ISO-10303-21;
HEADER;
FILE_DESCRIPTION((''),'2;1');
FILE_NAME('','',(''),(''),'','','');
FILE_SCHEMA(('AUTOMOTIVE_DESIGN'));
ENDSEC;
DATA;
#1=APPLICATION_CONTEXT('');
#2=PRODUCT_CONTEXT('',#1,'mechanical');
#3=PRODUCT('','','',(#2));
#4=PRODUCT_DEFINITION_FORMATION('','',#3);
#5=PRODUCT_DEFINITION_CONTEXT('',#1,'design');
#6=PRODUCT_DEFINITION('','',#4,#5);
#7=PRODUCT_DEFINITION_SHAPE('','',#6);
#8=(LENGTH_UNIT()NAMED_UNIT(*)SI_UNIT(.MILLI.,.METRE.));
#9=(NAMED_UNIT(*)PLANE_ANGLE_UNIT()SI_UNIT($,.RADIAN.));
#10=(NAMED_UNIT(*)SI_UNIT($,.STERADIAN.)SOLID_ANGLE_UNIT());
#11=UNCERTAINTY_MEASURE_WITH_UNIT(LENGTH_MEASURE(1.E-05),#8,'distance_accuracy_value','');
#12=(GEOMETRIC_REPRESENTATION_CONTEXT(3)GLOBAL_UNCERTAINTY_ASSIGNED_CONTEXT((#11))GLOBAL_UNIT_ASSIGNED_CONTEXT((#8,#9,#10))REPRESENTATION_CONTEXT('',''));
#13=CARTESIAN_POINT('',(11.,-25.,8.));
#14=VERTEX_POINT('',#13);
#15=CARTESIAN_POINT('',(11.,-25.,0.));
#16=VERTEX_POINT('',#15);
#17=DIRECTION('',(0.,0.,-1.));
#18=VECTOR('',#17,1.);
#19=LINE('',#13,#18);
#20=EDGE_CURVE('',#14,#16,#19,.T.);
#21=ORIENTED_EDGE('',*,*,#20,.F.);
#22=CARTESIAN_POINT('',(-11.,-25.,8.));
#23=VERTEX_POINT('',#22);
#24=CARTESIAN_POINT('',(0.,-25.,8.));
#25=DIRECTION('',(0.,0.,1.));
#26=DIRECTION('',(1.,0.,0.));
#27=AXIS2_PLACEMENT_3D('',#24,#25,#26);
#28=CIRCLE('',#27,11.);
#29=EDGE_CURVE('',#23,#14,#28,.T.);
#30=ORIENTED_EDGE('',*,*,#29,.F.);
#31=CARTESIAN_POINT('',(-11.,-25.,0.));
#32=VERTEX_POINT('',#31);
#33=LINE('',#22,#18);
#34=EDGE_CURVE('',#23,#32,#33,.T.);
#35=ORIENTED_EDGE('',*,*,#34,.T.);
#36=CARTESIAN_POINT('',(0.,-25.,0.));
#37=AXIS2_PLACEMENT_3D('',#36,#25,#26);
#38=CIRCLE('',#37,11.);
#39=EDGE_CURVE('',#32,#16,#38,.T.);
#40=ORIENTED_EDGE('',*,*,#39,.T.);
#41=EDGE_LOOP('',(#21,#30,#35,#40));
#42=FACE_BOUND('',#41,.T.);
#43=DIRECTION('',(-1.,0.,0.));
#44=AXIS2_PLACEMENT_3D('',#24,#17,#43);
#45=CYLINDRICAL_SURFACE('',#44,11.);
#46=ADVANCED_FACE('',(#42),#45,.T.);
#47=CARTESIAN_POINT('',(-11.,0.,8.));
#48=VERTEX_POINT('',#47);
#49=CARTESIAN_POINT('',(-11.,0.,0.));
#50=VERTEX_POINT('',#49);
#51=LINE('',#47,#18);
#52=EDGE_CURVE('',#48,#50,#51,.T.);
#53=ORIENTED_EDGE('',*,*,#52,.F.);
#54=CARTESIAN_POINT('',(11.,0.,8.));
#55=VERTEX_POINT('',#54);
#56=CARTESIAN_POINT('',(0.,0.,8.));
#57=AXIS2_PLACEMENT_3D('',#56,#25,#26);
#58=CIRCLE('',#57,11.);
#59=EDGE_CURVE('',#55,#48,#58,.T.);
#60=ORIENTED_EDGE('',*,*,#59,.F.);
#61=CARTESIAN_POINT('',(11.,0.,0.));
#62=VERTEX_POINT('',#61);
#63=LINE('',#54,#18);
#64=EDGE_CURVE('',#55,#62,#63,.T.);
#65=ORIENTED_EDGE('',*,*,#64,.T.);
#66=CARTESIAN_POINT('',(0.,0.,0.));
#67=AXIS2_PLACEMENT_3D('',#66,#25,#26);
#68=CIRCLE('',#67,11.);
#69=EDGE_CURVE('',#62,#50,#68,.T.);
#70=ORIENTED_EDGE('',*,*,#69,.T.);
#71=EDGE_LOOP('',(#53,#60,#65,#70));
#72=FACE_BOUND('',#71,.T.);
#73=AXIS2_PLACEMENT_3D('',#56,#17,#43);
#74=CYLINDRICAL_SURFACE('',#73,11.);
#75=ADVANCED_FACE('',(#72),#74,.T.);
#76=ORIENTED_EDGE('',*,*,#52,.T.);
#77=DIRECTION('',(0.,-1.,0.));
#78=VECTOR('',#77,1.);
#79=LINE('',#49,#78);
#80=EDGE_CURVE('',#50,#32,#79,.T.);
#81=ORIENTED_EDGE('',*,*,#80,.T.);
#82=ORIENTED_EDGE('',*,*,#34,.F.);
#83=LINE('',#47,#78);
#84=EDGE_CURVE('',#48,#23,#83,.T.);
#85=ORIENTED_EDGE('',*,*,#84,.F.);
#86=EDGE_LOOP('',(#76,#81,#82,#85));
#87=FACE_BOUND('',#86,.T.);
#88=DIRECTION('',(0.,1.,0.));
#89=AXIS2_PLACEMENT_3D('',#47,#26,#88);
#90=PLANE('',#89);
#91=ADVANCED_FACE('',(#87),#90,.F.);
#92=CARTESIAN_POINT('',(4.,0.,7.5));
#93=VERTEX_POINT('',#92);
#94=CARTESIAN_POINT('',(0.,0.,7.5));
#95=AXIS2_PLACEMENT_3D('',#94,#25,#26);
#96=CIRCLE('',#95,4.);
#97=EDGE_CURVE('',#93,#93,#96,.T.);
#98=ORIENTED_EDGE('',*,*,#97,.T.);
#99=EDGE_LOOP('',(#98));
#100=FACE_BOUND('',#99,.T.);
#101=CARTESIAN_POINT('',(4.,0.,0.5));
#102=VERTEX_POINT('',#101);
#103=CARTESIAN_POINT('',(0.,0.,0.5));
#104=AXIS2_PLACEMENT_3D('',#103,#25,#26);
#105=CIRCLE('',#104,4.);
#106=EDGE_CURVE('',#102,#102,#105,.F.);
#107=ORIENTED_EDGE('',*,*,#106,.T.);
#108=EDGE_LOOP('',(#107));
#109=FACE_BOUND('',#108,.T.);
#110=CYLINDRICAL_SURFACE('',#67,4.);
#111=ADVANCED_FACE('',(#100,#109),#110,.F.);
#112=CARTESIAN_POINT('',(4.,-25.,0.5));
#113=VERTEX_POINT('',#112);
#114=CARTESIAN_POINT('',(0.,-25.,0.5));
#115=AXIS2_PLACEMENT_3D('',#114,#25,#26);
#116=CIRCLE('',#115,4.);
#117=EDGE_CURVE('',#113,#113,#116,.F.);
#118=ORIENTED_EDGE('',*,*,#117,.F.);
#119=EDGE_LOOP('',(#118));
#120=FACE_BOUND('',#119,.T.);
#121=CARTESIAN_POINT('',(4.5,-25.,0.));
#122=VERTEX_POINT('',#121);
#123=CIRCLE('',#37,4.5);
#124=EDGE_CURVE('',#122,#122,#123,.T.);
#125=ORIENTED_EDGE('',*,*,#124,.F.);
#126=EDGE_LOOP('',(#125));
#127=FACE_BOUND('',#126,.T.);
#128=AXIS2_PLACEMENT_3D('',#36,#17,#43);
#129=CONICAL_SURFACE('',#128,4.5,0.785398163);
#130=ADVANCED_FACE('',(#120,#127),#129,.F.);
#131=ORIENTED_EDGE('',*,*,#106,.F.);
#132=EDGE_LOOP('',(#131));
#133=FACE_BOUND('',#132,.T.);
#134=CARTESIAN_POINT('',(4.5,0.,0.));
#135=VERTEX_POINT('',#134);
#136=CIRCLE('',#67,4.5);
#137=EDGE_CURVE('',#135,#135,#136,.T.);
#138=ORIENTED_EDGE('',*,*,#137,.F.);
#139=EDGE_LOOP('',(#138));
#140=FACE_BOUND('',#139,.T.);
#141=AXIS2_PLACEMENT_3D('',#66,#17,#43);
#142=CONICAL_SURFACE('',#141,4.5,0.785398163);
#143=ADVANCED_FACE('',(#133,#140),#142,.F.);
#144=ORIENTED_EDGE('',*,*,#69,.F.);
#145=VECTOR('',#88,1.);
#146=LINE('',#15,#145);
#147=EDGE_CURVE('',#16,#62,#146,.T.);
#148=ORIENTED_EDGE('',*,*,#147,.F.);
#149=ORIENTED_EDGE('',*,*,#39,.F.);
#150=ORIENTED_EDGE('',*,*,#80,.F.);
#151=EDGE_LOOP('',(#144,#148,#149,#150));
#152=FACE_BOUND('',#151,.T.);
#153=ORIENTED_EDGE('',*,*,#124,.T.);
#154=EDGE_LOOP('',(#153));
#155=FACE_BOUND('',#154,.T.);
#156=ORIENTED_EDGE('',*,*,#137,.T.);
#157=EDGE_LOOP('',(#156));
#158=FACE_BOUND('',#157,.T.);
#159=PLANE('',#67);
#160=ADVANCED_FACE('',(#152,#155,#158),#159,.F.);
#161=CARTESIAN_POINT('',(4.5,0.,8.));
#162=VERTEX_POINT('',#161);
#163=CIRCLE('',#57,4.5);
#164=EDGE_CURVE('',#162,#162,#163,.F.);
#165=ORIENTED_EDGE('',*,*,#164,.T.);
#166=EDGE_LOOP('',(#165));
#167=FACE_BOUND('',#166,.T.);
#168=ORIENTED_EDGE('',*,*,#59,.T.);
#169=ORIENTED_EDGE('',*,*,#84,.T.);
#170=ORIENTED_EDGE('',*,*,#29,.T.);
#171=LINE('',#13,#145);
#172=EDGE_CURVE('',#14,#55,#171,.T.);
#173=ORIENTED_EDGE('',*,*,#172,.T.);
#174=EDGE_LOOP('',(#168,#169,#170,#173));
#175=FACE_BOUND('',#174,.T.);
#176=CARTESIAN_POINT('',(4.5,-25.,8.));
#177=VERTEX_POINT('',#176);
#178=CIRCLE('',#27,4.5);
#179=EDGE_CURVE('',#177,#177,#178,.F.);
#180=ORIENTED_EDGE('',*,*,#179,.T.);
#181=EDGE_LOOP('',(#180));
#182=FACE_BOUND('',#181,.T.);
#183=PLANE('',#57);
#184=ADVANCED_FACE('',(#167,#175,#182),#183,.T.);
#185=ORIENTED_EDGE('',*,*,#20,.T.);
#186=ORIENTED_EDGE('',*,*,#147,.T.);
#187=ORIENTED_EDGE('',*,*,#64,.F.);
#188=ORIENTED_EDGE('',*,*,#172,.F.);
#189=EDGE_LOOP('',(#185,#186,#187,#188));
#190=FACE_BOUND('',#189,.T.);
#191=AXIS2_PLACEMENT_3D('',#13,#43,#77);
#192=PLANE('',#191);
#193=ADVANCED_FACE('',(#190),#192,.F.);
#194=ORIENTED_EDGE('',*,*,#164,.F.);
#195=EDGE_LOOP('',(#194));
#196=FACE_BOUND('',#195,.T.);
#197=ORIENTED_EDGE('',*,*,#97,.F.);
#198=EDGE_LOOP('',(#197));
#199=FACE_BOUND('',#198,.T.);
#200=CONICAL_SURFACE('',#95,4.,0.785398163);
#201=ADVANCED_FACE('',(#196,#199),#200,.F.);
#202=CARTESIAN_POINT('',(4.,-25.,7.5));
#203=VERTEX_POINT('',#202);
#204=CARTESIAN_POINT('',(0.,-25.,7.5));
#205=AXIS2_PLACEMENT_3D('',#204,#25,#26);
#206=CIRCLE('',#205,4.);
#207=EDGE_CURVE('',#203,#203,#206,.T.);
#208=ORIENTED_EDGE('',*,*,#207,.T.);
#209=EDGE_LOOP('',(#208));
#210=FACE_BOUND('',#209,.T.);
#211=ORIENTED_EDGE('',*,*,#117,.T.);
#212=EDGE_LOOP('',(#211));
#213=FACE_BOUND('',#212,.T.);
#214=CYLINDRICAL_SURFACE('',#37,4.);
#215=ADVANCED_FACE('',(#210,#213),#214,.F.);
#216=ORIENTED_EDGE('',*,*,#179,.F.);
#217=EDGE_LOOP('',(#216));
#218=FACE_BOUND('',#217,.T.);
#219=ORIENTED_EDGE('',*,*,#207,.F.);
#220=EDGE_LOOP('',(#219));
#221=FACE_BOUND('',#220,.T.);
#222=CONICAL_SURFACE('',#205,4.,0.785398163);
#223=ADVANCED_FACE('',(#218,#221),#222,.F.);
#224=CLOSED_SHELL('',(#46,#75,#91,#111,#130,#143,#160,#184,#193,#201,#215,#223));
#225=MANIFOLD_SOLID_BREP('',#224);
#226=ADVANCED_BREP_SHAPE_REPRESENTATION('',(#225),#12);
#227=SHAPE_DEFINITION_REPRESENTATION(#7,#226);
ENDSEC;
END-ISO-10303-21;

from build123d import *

# Parameters (mm, degrees)
BASE_EXTRUSION_DEPTH    = 8
ESQUISSE2_R             = 4
ENL_V_MAT_EXTRU_1_DEPTH = 39.48376281
ESQUISSE3_R             = 4
ENL_V_MAT_EXTRU_2_DEPTH = 37.545825061
CHANFREIN1_SIZE         = 0.5


with BuildPart() as part:
    # Esquisse1 → Base-Extrusion (new body)
    with BuildSketch(Plane.XY):
        with BuildLine():
            Line((-11, 0), (-11, -25))
            ThreePointArc((-11, -25), (0, -36), (11, -25))
            Line((11, -25), (11, 0))
            ThreePointArc((11, 0), (0, 11), (-11, 0))
        make_face()
    extrude(amount=BASE_EXTRUSION_DEPTH)

    # Esquisse2 → Enlèv. mat.-Extru.1 (cut, through all)
    with BuildSketch(Plane.XY.offset(8)):
        Circle(ESQUISSE2_R)
    extrude(amount=-ENL_V_MAT_EXTRU_1_DEPTH, mode=Mode.SUBTRACT)

    # Esquisse3 → Enlèv. mat.-Extru.2 (cut, through all)
    with BuildSketch(Plane(origin=(-1.490572535, -22.400343219, 8), x_dir=(1, 0, 0), z_dir=(0, 0, 1))):
        with Locations((1.490572535, -2.599656781)):
            Circle(ESQUISSE3_R)
    extrude(amount=-ENL_V_MAT_EXTRU_2_DEPTH, mode=Mode.SUBTRACT)

    # Chanfrein1
    chanfrein1_edges = [part.edges().sort_by_distance(p)[0] for p in [
        (-4, 0, 0),
        (-4, 0, 8),
        (-4, -25, 0),
        (-4, -25, 8),
    ]]
    chamfer(chanfrein1_edges, length=CHANFREIN1_SIZE)


solid = part.part
